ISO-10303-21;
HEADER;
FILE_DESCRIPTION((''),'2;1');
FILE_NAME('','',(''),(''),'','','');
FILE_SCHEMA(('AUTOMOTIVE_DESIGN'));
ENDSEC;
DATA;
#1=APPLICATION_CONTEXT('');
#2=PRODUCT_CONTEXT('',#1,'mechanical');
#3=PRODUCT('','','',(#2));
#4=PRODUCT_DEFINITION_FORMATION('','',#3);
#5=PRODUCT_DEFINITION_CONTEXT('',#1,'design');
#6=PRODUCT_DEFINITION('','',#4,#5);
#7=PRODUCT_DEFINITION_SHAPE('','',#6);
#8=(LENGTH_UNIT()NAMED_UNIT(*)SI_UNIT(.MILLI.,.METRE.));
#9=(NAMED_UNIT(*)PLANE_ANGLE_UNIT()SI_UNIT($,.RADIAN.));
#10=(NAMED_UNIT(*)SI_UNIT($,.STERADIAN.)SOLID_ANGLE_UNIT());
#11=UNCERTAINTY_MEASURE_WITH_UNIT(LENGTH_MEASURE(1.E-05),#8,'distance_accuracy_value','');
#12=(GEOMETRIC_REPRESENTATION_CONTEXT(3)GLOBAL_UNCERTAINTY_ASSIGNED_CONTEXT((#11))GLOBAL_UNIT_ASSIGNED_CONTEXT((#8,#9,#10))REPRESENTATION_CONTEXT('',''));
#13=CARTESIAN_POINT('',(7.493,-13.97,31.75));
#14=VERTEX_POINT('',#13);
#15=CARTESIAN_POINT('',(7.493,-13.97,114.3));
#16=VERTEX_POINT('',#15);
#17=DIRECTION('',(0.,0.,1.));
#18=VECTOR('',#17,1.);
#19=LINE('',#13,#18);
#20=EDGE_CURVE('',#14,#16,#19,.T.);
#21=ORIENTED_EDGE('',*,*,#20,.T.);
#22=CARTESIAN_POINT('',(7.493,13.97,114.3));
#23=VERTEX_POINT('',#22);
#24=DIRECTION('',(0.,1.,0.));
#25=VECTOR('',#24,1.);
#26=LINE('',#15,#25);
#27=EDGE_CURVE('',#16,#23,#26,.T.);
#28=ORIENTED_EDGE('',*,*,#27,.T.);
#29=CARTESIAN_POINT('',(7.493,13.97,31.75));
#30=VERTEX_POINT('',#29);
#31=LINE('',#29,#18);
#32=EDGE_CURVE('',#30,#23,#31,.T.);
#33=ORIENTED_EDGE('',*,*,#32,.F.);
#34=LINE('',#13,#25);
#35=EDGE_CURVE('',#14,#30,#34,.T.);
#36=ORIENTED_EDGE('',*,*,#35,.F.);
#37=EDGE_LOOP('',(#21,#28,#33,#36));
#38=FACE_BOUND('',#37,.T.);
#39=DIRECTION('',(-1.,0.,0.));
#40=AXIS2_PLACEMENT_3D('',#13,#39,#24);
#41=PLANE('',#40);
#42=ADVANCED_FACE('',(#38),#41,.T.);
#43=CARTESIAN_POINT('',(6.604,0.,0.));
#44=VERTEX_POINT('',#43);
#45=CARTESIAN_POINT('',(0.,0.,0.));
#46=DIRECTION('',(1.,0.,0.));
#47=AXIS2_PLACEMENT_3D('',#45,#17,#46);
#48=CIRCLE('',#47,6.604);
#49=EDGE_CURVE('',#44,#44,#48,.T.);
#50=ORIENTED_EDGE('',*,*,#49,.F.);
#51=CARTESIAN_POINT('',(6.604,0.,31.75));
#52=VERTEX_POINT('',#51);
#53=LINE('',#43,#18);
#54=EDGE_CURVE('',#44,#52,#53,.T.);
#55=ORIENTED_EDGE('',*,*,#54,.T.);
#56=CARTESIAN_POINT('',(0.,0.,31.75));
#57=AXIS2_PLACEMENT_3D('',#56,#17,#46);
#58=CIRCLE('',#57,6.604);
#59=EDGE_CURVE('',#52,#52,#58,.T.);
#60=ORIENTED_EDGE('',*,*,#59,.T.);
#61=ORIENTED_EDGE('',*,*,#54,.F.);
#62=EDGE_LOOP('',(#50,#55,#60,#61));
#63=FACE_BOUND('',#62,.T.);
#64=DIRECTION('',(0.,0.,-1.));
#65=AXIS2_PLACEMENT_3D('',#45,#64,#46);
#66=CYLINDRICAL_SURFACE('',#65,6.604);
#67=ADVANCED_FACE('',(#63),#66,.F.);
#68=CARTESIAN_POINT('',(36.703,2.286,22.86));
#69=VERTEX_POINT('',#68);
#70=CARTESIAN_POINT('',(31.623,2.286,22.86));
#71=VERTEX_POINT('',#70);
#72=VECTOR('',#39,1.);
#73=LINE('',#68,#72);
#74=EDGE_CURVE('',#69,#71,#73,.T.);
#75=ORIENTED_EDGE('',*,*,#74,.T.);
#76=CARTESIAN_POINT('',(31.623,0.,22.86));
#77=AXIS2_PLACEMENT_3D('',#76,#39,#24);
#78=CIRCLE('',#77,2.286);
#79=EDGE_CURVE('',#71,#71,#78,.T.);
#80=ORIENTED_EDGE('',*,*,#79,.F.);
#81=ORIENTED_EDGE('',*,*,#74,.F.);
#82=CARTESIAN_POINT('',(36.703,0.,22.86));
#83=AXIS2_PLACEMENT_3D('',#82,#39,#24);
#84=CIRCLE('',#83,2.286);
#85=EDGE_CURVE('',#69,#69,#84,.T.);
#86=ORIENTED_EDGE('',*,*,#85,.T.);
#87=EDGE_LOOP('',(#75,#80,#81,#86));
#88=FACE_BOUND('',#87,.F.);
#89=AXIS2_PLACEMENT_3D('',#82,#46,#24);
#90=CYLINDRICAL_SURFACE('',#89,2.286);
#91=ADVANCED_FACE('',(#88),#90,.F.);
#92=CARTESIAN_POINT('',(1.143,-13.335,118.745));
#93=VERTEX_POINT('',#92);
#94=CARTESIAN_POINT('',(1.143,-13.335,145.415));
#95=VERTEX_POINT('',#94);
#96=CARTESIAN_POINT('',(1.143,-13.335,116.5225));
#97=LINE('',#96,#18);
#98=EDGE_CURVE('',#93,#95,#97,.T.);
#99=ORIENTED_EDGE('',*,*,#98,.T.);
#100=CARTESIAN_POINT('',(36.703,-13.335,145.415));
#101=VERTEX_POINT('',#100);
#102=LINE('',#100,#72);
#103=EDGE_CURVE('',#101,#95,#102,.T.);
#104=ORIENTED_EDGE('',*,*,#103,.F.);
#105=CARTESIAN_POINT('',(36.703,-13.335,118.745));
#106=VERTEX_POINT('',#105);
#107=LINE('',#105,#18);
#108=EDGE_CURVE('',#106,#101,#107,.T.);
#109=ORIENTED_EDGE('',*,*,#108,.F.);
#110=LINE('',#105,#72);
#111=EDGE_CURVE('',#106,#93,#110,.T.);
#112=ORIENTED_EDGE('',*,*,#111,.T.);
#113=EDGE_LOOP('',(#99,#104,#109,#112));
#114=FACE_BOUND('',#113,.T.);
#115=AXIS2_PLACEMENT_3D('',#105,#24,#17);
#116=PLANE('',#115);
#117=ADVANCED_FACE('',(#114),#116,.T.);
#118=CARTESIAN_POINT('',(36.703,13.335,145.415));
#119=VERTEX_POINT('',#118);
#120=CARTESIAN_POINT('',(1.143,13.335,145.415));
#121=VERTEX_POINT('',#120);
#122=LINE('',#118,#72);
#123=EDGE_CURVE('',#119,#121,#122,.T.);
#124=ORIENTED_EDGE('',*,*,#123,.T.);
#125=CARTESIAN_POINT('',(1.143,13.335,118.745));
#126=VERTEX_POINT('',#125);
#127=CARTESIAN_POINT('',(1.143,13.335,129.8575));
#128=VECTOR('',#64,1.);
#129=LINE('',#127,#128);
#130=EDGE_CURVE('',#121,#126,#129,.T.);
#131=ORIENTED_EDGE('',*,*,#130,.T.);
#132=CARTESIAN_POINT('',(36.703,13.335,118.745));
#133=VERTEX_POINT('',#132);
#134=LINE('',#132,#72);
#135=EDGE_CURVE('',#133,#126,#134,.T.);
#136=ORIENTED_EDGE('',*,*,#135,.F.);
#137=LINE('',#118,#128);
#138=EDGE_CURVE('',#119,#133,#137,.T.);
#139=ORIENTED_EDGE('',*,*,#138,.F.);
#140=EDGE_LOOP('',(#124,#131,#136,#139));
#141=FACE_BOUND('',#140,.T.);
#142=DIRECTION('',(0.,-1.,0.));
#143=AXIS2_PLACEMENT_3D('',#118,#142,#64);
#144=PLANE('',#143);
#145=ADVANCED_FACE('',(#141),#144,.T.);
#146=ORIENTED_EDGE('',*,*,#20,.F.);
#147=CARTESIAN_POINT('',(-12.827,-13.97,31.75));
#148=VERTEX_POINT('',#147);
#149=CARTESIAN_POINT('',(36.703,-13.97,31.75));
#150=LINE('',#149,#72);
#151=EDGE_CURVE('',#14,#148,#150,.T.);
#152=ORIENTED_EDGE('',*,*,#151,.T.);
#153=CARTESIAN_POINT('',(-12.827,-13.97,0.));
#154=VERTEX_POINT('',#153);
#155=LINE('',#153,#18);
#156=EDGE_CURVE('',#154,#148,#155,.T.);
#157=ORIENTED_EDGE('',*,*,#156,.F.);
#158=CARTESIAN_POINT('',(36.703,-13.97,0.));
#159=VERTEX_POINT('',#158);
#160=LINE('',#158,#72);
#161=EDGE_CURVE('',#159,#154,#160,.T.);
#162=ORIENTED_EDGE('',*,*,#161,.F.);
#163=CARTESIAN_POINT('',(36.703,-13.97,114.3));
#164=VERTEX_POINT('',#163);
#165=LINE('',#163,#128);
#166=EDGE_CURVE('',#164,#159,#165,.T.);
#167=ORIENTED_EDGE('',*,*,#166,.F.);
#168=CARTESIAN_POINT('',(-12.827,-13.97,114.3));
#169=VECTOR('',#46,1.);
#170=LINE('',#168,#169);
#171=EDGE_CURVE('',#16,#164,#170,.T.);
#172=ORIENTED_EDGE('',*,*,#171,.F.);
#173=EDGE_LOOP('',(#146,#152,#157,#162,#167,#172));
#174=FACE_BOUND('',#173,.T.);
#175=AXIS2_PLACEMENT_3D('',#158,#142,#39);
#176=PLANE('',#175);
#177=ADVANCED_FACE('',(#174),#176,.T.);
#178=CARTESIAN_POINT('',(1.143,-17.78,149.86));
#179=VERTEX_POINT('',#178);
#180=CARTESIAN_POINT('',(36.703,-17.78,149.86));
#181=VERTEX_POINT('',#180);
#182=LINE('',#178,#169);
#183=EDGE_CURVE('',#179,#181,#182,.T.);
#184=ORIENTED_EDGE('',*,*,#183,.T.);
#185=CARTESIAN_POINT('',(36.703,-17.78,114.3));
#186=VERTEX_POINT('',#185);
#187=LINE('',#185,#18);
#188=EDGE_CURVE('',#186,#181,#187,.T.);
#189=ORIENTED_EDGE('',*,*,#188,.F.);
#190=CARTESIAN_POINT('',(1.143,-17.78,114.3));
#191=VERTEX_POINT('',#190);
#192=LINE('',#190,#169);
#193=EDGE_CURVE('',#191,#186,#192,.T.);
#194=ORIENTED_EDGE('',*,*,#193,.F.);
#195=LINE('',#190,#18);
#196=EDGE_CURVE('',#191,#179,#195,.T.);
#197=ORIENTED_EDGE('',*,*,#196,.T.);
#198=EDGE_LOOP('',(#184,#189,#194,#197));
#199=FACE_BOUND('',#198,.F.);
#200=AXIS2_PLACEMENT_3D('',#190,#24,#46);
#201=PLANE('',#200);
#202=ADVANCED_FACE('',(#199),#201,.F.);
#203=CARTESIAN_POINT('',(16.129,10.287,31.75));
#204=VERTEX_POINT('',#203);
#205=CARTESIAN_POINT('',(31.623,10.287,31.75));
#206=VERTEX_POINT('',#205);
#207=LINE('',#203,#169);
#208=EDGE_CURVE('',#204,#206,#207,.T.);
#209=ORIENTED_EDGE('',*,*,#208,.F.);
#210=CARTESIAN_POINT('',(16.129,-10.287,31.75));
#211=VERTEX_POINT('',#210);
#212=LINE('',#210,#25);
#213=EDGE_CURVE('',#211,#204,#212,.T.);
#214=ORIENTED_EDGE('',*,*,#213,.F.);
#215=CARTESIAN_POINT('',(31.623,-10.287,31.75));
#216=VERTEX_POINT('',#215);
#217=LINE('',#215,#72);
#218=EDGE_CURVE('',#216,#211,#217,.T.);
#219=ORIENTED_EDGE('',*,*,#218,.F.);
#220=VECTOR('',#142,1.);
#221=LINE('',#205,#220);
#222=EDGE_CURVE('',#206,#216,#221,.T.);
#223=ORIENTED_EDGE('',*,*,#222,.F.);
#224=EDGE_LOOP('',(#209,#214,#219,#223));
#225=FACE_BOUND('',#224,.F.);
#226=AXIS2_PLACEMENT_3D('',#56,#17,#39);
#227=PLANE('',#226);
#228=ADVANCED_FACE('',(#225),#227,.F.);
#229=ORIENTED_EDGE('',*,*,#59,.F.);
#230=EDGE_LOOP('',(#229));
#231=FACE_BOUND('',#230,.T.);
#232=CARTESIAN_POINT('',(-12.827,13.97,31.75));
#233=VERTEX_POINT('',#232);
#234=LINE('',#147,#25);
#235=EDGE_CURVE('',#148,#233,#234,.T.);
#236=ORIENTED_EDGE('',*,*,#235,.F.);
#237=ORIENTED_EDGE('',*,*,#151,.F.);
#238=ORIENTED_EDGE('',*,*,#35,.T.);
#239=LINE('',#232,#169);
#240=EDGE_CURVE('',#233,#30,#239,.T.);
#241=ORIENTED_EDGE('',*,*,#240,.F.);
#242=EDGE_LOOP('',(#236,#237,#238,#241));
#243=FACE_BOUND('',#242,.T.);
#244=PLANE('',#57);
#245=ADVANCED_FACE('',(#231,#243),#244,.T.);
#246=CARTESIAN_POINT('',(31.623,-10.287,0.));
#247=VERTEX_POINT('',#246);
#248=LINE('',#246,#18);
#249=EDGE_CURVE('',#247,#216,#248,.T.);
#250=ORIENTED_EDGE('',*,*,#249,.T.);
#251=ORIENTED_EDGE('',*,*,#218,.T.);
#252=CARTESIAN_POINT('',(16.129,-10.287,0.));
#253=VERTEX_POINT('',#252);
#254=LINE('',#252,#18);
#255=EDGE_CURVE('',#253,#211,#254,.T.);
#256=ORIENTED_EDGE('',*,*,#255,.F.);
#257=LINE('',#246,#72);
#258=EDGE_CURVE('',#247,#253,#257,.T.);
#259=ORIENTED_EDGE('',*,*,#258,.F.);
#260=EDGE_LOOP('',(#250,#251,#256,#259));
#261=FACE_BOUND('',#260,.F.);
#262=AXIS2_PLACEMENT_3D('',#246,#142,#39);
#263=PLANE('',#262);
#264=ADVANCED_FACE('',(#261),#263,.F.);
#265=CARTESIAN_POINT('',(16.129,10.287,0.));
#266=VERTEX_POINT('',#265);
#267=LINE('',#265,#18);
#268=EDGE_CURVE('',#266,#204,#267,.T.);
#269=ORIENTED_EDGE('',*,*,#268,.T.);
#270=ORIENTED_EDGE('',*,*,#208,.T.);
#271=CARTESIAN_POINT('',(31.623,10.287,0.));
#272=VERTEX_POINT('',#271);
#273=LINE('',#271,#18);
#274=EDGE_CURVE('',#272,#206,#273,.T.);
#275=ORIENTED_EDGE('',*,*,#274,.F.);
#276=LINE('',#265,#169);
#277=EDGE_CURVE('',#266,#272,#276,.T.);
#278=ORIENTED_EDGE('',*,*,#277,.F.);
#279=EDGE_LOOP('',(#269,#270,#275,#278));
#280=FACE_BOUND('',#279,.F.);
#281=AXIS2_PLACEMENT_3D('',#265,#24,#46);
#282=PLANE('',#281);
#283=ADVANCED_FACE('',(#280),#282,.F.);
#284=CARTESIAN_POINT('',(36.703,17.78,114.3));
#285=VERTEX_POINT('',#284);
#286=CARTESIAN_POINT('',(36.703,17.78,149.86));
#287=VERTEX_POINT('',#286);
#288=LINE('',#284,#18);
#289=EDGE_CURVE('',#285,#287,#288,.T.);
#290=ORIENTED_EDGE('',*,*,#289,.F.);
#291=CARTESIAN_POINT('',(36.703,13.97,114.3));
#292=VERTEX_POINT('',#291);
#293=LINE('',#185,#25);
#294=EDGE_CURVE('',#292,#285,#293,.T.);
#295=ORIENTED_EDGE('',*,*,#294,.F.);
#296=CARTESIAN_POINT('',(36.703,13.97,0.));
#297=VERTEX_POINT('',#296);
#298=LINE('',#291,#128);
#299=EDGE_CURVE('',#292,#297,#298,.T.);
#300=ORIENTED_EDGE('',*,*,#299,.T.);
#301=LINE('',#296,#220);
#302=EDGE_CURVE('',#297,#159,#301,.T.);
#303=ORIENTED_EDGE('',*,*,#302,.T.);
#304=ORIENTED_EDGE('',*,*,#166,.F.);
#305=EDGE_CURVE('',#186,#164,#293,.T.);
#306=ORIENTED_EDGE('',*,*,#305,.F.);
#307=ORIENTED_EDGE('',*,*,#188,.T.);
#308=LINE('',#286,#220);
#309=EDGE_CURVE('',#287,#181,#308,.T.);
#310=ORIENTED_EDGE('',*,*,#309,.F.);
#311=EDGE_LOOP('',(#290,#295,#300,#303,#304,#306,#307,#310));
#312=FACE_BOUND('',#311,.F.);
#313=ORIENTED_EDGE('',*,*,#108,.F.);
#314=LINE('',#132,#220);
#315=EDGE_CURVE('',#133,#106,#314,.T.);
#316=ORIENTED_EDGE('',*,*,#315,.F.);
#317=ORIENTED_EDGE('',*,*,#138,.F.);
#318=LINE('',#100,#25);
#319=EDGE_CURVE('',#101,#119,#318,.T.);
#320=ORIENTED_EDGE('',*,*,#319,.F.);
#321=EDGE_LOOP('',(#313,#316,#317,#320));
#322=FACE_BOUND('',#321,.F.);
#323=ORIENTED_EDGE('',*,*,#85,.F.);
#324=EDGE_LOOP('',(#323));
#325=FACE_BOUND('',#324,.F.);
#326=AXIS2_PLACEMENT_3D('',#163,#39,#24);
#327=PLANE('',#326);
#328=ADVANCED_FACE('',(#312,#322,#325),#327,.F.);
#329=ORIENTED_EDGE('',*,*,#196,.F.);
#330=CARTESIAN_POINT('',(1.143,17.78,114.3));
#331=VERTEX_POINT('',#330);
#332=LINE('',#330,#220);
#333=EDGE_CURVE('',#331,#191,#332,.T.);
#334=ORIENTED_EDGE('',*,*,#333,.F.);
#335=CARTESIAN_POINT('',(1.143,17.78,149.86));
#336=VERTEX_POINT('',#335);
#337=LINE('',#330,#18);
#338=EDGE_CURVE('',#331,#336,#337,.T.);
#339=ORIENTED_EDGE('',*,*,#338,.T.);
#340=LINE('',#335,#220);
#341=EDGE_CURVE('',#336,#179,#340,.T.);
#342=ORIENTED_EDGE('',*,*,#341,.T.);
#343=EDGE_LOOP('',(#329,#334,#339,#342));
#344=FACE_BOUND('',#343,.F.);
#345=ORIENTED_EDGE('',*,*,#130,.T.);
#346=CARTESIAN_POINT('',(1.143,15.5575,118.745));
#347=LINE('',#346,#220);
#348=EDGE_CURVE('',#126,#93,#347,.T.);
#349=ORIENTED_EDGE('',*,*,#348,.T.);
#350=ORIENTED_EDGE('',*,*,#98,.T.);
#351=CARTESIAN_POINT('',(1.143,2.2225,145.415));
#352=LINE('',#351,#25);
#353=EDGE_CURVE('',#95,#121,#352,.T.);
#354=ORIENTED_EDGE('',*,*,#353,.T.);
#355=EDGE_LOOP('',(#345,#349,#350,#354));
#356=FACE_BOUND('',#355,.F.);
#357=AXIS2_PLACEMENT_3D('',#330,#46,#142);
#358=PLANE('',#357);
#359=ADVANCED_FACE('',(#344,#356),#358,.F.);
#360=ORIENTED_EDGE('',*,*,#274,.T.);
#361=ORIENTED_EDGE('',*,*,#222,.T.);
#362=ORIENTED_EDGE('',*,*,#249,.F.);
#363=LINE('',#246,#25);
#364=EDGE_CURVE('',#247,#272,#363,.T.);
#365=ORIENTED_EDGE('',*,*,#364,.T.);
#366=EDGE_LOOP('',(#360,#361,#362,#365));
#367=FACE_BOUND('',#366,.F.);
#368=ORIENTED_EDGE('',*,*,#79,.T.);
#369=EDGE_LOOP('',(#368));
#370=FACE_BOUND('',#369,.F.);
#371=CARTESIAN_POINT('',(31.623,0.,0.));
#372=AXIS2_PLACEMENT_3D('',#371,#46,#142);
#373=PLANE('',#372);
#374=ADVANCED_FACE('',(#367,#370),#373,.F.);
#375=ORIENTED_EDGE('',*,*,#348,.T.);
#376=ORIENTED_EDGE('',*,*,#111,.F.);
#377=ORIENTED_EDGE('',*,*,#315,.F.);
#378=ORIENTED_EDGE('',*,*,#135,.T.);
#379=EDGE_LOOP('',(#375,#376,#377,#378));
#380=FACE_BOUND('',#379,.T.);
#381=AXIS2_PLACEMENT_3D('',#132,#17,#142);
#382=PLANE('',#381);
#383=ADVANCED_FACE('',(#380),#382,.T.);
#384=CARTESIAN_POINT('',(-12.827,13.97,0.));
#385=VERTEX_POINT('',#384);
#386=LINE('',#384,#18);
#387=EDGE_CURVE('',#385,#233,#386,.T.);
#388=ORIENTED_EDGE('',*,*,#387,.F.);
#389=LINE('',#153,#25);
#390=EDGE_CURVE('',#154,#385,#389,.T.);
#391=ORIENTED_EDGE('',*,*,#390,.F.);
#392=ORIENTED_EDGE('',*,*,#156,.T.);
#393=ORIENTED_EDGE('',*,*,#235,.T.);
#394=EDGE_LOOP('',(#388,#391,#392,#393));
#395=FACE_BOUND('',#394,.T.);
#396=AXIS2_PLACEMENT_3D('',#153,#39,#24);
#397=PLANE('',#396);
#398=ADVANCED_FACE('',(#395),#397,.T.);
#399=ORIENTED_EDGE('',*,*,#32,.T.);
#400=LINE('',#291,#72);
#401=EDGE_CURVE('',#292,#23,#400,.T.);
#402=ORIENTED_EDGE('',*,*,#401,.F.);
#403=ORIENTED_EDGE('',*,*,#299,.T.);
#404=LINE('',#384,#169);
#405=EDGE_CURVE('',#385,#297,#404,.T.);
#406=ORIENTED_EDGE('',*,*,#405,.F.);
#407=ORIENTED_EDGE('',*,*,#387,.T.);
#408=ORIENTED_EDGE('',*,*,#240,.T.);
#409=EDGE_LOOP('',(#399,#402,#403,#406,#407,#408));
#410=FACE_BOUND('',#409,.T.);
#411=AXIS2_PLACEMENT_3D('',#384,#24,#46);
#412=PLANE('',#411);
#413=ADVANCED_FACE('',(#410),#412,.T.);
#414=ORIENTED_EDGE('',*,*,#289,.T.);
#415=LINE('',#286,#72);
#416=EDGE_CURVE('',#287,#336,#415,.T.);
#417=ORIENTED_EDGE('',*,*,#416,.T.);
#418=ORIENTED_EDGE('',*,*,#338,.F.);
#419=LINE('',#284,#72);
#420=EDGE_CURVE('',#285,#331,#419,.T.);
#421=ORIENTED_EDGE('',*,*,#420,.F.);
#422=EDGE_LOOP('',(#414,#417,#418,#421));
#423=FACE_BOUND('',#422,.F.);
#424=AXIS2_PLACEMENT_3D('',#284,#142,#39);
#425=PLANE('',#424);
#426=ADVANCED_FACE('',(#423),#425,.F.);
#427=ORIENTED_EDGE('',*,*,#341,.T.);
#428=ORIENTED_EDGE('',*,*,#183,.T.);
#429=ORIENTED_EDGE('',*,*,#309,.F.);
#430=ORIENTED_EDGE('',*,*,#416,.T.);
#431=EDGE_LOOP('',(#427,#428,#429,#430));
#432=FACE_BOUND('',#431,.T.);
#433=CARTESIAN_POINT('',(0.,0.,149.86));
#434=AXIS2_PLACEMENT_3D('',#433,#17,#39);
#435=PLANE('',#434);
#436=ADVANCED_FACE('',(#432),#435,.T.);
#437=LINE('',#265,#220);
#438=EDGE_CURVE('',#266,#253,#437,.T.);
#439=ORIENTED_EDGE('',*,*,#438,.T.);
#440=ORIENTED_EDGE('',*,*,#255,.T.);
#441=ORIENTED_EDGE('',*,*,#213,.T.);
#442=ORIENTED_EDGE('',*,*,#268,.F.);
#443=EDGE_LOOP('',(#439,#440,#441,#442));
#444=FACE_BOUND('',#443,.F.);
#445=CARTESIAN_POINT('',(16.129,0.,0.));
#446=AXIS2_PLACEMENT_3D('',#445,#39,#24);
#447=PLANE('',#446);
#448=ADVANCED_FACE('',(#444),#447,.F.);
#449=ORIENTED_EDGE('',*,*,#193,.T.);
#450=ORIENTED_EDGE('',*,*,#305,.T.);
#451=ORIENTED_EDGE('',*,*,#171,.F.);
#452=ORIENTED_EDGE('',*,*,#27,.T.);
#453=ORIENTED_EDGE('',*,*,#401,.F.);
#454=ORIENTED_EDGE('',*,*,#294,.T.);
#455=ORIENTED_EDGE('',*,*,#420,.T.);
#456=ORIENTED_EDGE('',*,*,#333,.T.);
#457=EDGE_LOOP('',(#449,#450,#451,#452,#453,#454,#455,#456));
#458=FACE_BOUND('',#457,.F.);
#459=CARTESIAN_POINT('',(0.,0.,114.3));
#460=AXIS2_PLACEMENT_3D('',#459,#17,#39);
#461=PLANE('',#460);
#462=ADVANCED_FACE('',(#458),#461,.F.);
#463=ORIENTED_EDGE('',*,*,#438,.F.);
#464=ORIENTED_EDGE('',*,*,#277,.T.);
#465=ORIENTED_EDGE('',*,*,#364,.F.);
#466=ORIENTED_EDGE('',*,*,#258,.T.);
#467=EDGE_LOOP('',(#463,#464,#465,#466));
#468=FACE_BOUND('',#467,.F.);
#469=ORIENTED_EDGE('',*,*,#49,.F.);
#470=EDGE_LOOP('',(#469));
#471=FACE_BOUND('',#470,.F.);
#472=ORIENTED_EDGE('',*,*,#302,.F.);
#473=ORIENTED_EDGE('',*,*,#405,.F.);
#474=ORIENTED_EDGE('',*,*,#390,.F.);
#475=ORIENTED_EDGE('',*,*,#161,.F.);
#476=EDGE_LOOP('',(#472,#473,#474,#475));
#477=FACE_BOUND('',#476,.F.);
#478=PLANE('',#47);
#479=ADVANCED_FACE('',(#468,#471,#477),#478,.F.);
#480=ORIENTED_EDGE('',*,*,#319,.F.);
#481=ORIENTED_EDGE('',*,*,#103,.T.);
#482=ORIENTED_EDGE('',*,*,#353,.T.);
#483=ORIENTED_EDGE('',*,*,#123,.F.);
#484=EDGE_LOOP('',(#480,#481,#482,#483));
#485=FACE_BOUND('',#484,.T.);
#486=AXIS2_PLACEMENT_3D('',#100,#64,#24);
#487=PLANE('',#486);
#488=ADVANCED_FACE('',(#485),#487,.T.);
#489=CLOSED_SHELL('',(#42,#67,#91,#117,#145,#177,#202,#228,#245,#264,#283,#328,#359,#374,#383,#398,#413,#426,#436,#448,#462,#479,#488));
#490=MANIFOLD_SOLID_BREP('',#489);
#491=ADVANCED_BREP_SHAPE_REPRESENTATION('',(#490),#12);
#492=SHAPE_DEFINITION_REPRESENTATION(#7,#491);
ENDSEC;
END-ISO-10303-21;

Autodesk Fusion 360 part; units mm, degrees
sketch "Sketch1" plane through (0, 0, 0) normal (0, 0, 1) x (1, 0, 0)
  circle A0 centre (0, 0) radius 6.604
  line L0 (-12.827, 13.97) -> (36.703, 13.97)
  line L1 (36.703, 13.97) -> (36.703, -13.97)
  line L2 (36.703, -13.97) -> (-12.827, -13.97)
  line L3 (-12.827, -13.97) -> (-12.827, 13.97)
  line L4 (16.129, 10.287) -> (31.623, 10.287)
  line L5 (31.623, 10.287) -> (31.623, -10.287)
  line L6 (31.623, -10.287) -> (16.129, -10.287)
  line L7 (16.129, -10.287) -> (16.129, 10.287)
  line L8 (16.129, 0) -> (31.623, 0)
  point P0 (16.129, 0)
  point P1 (31.623, 0)
  point P2 (-12.827, 0)
  point P3 (36.703, 0)
  point P4 (23.876, 0)
  dimension "d1" = 13.208
  dimension "d2" = 15.494
  dimension "d3" = 20.574
  dimension "d4" = 23.876
  dimension "d5" = 5.08
  dimension "d6" = 49.53
  dimension "d7" = 27.94
extrude "Extrude1" add sketch "Sketch1" along normal blind 31.75
sketch "Sketch2" plane through (36.703, 0, 0) normal (1, 0, 0) x (0, 1, 0)
  line L0 (-13.97, 0) -> (13.97, 0)
  line L1 (13.97, 0) -> (13.97, 31.75)
  line L2 (13.97, 31.75) -> (-13.97, 31.75)
  line L3 (-13.97, 31.75) -> (-13.97, 0)
  line L4 (0, 0) -> (0, 40.147)
  circle A0 centre (0, 22.86) radius 2.286
  point P0 (0, 22.86)
  dimension "d10" = 8.89
  dimension "d11" = 4.572
extrude "Extrude2" cut sketch "Sketch2" against normal blind 7.62 contours L4 A0 | L4 A0
sketch "Sketch3" plane through (0, 0, 31.75) normal (0, 0, 1) x (-1, 0, 0)
  line L0 (-31.623, 10.287) -> (-16.129, 10.287)
  line L1 (-16.129, 10.287) -> (-16.129, -10.287)
  line L2 (-16.129, -10.287) -> (-31.623, -10.287)
  line L3 (-31.623, -10.287) -> (-31.623, 10.287)
  circle A0 centre (0, 0) radius 6.604
  line L4 (12.827, 13.97) -> (-36.703, 13.97)
  line L5 (-36.703, 13.97) -> (-36.703, -13.97)
  line L6 (-36.703, -13.97) -> (12.827, -13.97)
  line L7 (12.827, -13.97) -> (12.827, 13.97)
  line L8 (-7.493, -13.97) -> (-36.703, -13.97)
  line L9 (-36.703, -13.97) -> (-36.703, 13.97)
  line L10 (-36.703, 13.97) -> (-7.493, 13.97)
  line L11 (-7.493, 13.97) -> (-7.493, -13.97)
  dimension "d14" = 29.21
extrude "Extrude3" add sketch "Sketch3" along normal blind 82.55 contours L0 L1 L2 L3 | L4 L5 L6 L8 L9 L10 L11
sketch "Sketch4" plane through (0, 0, 114.3) normal (0, 0, 1) x (-1, 0, 0)
  line L0 (-7.493, 13.97) -> (-36.703, 13.97)
  line L1 (-36.703, 13.97) -> (-36.703, -13.97)
  line L2 (-36.703, -13.97) -> (-7.493, -13.97)
  line L3 (-7.493, -13.97) -> (-7.493, 13.97)
  line L4 (-36.703, -17.78) -> (-1.143, -17.78)
  line L5 (-1.143, -17.78) -> (-1.143, 17.78)
  line L6 (-1.143, 17.78) -> (-36.703, 17.78)
  line L7 (-36.703, 17.78) -> (-36.703, -17.78)
  line L8 (-36.703, -17.78) -> (-1.143, 17.78) construction
  line L9 (-1.143, -17.78) -> (-36.703, 17.78) construction
  line L10 (-36.703, -13.97) -> (-36.703, 13.97)
  point P0 (-18.923, 0)
  dimension "d17" = 35.56
  dimension "d18" = 35.56
extrude "Extrude4" add sketch "Sketch4" along normal blind 35.56
sketch "Sketch5" plane through (36.703, 0, 0) normal (1, 0, 0) x (0, 1, 0)
  circle A0 centre (0, 22.86) radius 2.286
  line L0 (-13.97, 0) -> (13.97, 0)
  line L1 (13.97, 0) -> (13.97, 114.3)
  line L2 (13.97, 114.3) -> (17.78, 114.3)
  line L3 (17.78, 114.3) -> (17.78, 149.86)
  line L4 (17.78, 149.86) -> (-17.78, 149.86)
  line L5 (-17.78, 149.86) -> (-17.78, 114.3)
  line L6 (-17.78, 114.3) -> (-13.97, 114.3)
  line L7 (-13.97, 114.3) -> (-13.97, 0)
  line L8 (-13.335, 145.415) -> (13.335, 145.415)
  line L9 (13.335, 145.415) -> (13.335, 118.745)
  line L10 (13.335, 118.745) -> (-13.335, 118.745)
  line L11 (-13.335, 118.745) -> (-13.335, 145.415)
  dimension "d21" = 4.445
  dimension "d22" = 4.445
  dimension "d23" = 4.445
  dimension "d24" = 4.445
extrude "Extrude5" cut sketch "Sketch5" against normal blind 45.72 contours L8 L9 L10 L11
